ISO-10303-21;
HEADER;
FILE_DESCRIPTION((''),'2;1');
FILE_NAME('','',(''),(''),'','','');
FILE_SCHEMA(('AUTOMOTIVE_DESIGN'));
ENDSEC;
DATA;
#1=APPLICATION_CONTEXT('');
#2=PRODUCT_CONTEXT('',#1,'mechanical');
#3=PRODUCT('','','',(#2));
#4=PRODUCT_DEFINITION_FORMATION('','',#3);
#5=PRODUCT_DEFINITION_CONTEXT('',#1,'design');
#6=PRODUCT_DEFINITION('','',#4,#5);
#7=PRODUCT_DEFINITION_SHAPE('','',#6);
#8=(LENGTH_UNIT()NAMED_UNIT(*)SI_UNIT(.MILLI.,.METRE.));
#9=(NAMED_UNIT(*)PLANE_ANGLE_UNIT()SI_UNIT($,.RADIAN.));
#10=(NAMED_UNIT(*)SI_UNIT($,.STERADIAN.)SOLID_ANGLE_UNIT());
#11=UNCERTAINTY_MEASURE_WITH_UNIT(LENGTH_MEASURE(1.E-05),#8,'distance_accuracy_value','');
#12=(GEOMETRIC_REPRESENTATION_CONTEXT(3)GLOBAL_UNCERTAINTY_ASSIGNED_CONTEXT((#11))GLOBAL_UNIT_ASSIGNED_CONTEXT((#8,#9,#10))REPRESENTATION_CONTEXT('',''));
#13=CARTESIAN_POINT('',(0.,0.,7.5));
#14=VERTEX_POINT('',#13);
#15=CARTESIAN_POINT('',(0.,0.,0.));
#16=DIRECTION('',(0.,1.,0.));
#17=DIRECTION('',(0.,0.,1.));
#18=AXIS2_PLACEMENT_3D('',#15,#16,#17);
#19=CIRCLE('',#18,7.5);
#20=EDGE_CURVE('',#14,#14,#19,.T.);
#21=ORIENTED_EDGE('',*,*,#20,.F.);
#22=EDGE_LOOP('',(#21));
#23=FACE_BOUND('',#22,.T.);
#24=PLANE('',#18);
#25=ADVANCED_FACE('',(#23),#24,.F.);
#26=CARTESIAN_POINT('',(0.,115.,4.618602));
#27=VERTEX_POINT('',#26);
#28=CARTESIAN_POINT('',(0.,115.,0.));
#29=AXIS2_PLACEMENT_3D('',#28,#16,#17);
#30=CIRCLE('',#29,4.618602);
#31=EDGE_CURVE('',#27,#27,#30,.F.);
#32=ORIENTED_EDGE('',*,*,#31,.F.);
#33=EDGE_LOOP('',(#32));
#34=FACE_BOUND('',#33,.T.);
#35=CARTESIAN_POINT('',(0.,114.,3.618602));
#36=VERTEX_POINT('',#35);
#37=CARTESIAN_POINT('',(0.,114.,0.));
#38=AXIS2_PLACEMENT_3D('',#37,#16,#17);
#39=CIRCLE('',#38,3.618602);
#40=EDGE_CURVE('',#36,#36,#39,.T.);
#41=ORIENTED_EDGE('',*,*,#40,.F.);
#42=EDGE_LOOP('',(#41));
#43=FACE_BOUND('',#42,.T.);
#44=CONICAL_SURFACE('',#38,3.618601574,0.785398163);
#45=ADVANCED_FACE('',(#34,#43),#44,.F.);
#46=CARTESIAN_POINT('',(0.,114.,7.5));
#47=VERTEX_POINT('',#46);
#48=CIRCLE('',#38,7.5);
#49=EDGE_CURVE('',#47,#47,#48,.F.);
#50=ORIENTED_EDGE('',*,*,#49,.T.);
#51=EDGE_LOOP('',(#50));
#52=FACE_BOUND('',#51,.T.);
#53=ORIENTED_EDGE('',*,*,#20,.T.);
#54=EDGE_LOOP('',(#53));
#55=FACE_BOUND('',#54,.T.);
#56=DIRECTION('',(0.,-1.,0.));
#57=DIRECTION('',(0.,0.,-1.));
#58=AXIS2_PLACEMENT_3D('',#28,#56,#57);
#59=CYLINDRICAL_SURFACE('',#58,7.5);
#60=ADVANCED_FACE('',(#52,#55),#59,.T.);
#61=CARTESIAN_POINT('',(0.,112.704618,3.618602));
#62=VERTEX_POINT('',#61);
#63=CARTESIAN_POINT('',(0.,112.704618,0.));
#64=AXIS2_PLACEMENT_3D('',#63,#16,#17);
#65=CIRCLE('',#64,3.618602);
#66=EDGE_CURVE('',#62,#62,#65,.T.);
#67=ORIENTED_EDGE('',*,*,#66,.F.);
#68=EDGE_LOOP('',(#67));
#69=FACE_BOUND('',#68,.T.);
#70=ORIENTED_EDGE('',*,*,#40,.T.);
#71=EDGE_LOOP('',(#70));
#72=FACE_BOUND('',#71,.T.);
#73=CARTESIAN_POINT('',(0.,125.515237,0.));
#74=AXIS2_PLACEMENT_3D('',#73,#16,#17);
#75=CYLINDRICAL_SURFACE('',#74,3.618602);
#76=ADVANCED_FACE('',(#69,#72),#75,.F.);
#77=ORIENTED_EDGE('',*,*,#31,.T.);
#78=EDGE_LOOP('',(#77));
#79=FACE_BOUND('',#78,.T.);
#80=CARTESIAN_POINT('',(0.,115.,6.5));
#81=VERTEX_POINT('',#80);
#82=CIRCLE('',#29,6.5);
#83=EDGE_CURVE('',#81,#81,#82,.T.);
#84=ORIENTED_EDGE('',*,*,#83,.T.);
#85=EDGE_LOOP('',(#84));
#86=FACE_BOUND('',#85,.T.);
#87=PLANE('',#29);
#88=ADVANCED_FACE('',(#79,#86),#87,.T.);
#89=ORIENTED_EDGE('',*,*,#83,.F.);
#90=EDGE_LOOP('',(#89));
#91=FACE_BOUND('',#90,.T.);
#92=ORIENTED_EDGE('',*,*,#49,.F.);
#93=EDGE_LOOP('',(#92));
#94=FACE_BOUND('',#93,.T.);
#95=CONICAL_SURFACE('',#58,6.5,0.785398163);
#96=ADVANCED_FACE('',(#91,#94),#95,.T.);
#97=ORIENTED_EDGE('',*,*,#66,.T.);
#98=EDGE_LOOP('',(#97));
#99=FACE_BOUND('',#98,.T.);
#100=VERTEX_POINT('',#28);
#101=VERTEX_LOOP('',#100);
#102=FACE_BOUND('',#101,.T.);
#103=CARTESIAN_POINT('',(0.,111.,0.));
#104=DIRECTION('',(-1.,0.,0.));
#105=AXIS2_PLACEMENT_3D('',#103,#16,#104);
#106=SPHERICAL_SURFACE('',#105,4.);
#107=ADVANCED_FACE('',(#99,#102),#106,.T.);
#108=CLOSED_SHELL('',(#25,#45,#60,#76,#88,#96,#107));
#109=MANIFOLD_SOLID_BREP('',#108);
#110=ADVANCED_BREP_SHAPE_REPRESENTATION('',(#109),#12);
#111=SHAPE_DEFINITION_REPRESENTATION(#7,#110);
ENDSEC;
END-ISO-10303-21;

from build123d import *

# Parameters (mm, degrees)
SKETCH1_R           = 7.5
BOSS_EXTRUDE1_DEPTH = 115
CHAMFER1_SIZE       = 1


with BuildPart() as part:
    # Sketch1 → Boss-Extrude1 (new body)
    with BuildSketch(Plane(origin=(0, 0, 0), x_dir=(1, 0, 0), z_dir=(0, 1, 0))):
        with Locations(Location((0, 0, 0), (0, 0, 270))):
            Circle(SKETCH1_R)
    extrude(amount=BOSS_EXTRUDE1_DEPTH)

    # Sketch2 → Cut-Revolve1 (revolve, cut)
    with BuildSketch(Plane.XY, mode=Mode.PRIVATE) as cut_revolve1_sk:
        with BuildLine():
            Line((-3.618601574, 112.704618035), (-3.618601574, 116.762708117))
            Line((-3.618601574, 116.762708117), (0, 116.762708117))
            Line((0, 116.762708117), (0, 115))
            ThreePointArc((0, 115), (-2.142606807, 114.37775607), (-3.618601574, 112.704618035))
        make_face()
    revolve(cut_revolve1_sk.sketch.rotate(Axis((0, 125.515236919, 0), (0, -1, 0)), 270), axis=Axis((0, 125.515236919, 0), (0, -1, 0)), mode=Mode.SUBTRACT)

    # Chamfer1
    chamfer1_edges = [part.edges().sort_by_distance(p)[0] for p in [
        (0, 115, -7.5),
        (0, 115, -3.618601574),
    ]]
    chamfer(chamfer1_edges, length=CHAMFER1_SIZE)


solid = part.part
